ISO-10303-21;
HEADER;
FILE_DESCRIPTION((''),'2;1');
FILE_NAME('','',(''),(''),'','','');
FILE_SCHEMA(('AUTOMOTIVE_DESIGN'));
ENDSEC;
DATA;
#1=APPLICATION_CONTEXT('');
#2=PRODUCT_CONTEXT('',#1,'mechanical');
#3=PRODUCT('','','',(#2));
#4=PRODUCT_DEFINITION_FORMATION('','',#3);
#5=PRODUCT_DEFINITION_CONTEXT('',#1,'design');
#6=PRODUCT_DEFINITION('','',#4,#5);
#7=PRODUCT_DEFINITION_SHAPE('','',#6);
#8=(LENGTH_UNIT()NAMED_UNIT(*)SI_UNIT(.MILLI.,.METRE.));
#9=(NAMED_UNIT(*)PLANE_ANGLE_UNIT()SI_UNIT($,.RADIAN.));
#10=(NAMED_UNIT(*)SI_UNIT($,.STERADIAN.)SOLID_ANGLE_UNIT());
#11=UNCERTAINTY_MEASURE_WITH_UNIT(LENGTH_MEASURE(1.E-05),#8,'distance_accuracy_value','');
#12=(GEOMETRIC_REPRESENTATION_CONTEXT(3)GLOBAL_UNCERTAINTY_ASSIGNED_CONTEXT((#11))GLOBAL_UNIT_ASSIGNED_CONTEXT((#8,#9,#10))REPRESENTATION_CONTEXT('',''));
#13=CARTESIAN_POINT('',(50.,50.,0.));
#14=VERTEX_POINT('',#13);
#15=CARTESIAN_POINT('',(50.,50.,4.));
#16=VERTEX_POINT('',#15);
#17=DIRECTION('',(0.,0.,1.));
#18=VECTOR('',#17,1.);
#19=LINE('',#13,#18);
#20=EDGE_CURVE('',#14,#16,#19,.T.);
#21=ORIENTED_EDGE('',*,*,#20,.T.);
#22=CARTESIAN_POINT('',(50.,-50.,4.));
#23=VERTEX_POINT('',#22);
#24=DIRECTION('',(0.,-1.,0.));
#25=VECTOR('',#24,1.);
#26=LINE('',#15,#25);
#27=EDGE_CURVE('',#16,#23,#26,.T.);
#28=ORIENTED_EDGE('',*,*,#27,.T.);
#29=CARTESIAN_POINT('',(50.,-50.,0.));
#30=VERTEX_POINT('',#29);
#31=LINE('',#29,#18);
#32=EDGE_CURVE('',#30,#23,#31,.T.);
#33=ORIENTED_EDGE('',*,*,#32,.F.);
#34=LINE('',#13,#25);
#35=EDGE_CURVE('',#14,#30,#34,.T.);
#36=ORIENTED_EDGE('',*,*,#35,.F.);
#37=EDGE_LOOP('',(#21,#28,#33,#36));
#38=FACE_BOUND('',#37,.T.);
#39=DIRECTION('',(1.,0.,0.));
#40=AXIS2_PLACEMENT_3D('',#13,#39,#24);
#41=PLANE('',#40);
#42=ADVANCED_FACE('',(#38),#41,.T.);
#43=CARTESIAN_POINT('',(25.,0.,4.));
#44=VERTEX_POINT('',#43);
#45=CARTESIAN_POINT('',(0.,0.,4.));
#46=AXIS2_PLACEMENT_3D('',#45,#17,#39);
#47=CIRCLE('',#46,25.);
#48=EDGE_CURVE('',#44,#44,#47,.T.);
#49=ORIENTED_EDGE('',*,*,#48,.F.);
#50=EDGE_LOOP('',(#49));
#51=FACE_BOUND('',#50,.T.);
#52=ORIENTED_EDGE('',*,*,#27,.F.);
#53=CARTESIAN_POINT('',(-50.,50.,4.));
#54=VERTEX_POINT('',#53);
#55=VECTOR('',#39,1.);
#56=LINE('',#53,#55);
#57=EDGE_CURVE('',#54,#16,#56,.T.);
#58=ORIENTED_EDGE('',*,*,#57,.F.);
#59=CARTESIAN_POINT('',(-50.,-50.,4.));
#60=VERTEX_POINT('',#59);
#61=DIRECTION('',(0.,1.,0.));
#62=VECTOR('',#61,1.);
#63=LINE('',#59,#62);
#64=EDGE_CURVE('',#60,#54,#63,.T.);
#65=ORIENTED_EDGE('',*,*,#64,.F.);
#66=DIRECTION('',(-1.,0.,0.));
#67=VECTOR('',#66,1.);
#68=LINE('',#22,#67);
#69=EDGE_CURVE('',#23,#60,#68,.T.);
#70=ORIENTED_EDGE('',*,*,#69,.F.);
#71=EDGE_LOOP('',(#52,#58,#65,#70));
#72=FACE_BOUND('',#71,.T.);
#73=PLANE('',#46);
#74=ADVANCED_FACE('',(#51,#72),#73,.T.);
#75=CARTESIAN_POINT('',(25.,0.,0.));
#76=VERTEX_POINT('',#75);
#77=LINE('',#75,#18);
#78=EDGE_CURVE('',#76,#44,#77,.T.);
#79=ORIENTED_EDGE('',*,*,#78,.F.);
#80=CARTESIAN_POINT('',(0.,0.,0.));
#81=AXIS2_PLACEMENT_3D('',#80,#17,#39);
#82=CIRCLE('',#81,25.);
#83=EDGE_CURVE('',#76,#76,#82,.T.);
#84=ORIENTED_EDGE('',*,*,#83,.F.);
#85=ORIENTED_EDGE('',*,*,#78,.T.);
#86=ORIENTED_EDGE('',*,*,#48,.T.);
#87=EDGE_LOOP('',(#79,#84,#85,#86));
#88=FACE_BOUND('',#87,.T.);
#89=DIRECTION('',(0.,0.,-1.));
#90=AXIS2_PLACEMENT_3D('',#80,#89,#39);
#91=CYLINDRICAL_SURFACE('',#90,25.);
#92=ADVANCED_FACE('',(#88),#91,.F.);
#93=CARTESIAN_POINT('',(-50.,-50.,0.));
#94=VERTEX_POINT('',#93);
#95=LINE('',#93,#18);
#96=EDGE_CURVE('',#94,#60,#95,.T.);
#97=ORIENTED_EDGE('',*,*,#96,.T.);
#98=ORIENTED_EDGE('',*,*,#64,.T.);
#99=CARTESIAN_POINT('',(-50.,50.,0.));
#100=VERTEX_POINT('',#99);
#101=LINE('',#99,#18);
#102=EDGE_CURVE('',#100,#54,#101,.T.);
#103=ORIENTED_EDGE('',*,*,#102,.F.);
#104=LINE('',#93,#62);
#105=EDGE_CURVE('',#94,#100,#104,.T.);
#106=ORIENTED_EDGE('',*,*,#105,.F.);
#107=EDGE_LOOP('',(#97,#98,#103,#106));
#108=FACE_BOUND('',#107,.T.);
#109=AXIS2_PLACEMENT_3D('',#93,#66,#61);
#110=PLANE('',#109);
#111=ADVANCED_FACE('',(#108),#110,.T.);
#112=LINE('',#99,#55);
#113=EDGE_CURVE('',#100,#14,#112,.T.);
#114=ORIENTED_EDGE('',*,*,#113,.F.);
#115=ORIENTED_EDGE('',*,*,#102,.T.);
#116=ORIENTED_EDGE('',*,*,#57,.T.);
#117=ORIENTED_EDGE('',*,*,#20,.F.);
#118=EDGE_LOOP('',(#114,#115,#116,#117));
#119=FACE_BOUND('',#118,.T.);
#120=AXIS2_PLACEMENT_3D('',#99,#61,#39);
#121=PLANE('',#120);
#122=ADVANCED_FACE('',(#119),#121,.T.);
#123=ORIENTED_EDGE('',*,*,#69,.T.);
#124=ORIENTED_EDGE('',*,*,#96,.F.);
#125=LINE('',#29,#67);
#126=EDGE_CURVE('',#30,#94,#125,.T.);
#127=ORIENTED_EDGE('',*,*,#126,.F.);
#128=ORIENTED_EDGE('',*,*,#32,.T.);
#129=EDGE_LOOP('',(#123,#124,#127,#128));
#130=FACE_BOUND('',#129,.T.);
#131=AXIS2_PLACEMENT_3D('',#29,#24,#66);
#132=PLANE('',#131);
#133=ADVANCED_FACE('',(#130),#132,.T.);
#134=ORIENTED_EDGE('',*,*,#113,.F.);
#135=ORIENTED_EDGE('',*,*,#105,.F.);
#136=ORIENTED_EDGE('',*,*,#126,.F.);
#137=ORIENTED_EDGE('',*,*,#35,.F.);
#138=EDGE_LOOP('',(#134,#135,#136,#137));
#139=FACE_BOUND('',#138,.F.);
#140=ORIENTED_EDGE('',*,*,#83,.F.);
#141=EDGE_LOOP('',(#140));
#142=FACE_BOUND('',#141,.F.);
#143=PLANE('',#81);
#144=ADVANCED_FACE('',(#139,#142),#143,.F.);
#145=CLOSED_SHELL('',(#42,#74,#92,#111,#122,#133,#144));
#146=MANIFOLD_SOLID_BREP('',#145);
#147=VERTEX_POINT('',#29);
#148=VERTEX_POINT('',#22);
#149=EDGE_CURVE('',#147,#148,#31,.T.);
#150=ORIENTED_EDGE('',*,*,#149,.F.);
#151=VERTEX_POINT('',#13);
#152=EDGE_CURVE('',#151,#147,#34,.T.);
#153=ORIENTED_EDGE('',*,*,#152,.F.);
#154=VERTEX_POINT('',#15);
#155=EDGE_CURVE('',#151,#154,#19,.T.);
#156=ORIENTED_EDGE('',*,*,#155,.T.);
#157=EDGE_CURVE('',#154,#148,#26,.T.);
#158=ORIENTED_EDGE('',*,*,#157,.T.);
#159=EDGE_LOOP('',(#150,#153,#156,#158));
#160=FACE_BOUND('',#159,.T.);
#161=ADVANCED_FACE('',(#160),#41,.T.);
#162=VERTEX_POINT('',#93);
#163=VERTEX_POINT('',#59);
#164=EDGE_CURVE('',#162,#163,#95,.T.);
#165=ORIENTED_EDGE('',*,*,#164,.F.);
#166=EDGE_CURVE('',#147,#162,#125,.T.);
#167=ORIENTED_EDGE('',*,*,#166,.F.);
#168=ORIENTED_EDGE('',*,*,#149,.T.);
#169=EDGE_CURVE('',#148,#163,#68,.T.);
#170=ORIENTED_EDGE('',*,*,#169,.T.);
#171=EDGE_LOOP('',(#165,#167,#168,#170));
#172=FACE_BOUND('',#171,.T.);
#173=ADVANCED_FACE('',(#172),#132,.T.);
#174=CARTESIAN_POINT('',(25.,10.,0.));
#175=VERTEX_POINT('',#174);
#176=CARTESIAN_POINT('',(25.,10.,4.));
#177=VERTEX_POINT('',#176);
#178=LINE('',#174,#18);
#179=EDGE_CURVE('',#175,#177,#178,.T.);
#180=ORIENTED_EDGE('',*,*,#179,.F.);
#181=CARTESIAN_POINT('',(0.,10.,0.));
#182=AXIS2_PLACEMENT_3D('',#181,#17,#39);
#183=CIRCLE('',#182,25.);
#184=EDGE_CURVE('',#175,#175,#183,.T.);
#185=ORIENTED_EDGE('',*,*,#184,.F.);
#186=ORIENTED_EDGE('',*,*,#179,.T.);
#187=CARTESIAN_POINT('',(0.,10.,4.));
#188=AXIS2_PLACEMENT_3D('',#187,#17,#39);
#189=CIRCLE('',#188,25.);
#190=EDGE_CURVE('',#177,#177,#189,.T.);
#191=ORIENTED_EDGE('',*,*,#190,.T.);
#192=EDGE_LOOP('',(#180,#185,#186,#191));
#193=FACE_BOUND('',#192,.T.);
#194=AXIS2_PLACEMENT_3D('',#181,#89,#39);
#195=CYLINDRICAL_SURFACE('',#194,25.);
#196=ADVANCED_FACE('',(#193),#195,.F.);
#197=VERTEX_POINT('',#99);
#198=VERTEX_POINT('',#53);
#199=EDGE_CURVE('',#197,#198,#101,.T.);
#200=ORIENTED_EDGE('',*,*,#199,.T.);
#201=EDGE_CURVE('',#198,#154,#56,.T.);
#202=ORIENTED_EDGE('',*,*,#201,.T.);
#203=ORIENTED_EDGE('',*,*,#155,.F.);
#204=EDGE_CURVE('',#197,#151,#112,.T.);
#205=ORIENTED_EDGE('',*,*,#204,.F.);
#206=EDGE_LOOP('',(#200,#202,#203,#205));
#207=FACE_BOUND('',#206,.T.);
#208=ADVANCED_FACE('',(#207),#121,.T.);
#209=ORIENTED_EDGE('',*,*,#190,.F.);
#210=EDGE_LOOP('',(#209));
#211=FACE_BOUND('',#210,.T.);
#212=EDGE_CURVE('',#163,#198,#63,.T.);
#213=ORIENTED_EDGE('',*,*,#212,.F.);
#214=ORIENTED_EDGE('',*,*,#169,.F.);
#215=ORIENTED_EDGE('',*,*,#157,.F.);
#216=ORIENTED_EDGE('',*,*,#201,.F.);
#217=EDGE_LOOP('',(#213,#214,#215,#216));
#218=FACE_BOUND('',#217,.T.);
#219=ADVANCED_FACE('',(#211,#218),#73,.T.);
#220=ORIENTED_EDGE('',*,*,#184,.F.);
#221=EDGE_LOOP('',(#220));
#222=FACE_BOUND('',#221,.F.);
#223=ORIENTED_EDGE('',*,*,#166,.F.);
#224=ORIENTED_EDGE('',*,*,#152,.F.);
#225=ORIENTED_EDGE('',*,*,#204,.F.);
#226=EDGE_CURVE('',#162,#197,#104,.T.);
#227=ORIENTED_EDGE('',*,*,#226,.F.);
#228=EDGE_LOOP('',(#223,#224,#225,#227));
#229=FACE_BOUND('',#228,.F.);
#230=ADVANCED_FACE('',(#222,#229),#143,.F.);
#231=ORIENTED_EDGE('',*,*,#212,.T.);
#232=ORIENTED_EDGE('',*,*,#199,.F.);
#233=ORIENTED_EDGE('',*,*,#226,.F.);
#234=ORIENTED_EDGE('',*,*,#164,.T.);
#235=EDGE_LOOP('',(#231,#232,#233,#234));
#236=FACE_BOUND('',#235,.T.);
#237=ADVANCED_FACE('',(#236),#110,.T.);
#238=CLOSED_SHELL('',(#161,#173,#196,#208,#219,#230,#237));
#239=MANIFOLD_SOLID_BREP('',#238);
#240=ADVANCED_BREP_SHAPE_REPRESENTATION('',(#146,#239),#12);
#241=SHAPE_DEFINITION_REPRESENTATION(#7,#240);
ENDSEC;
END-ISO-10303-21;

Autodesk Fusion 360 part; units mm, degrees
sketch "Sketch1" plane through (0, 0, 0) normal (0, 0, 1) x (1, 0, 0) in component "Plate1"
  line L0 (-50, 50) -> (50, 50)
  line L1 (50, 50) -> (50, -50)
  line L2 (50, -50) -> (-50, -50)
  line L3 (-50, -50) -> (-50, 50)
  line L4 (-50, 50) -> (50, -50) construction
  line L5 (50, 50) -> (-50, -50) construction
  circle A0 centre (0, 0) radius 25
  dimension "d5" = 100
  dimension "d6" = 50
extrude "Extrude1" add sketch "Sketch1" along normal blind 4 makes body 1 in component "Plate1"
sketch "Sketch1 (2)" plane through (0, 0, 0) normal (0, 0, 1) x (1, 0, 0) in component "Plate1 (1)"
  line L0 (-50, 50) -> (50, 50)
  line L1 (50, 50) -> (50, -50)
  line L2 (50, -50) -> (-50, -50)
  line L3 (-50, -50) -> (-50, 50)
  line L4 (-50, 50) -> (50, -50) construction
  line L5 (50, 50) -> (-50, -50) construction
  circle A0 centre (0, 10) radius 25
  dimension "d5_1" = 100
  dimension "d6_1" = 50
  dimension "d9" = 40
extrude "Extrude1'" add sketch "Sketch1 (2)" along normal blind 4 separate body makes body 2 in component "Plate1 (1)"
component "Plate1" placed x (1, 0, 0) y (0, 1, 0) z (0, 0, 1) at (0, 0, 0)
component "Plate1 (1)" placed x (1, 0, 0) y (0, 1, 0) z (0, 0, 1) at (0, 0, 0)
equation "d6 = d5 / 2"
